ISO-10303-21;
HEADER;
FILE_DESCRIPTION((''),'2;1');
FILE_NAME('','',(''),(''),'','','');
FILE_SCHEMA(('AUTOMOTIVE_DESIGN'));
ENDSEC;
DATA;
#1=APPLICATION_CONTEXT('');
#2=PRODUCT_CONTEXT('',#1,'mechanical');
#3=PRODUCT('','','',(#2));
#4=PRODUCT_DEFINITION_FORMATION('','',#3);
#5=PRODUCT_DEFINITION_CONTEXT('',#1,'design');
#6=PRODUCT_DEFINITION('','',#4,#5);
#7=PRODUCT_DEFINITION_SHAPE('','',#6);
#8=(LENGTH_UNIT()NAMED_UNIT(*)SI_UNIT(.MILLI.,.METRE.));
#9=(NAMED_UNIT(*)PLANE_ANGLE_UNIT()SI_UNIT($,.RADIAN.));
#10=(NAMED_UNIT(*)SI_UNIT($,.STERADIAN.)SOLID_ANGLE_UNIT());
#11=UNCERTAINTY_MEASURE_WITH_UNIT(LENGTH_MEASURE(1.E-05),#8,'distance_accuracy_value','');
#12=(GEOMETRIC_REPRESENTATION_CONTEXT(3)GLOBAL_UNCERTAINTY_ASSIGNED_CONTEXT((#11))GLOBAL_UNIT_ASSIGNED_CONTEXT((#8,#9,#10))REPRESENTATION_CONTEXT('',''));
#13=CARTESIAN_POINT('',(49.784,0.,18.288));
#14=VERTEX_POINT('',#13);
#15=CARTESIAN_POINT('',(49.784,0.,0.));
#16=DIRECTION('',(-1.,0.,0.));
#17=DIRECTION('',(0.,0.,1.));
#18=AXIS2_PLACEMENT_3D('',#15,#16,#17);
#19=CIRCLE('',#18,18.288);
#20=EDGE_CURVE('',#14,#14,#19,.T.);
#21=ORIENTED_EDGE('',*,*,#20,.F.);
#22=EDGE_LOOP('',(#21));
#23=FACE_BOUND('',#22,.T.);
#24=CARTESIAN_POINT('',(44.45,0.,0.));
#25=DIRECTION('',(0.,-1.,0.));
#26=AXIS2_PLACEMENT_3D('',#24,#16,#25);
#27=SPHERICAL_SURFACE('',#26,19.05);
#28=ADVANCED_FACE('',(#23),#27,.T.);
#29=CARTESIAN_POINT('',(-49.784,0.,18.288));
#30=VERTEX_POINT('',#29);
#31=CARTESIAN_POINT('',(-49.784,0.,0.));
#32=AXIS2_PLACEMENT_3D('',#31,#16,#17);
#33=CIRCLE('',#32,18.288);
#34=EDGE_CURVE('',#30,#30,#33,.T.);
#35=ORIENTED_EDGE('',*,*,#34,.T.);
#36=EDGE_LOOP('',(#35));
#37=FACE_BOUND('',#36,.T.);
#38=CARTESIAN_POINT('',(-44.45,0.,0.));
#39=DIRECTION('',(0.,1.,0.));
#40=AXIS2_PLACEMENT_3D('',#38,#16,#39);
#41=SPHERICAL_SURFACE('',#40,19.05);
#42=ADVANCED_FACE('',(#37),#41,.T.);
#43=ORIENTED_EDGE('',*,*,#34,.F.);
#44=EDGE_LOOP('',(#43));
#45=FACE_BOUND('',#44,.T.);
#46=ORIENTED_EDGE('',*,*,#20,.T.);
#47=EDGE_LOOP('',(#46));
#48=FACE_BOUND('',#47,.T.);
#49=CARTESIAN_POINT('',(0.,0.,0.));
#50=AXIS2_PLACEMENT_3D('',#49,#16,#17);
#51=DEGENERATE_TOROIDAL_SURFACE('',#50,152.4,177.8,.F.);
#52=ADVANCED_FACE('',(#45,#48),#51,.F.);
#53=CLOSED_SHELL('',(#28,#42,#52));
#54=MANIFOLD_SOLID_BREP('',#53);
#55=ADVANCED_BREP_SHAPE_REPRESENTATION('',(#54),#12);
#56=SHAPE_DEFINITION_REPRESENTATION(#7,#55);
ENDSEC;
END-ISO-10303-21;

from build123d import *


with BuildPart() as part:
    # Sketch1 → Revolve1 (revolve)
    with BuildSketch(Plane.XY, mode=Mode.PRIVATE) as revolve1_sk:
        with BuildLine():
            Line((-63.5, 0), (63.5, 0))
            ThreePointArc((63.5, 0), (59.69, 11.43), (49.784, 18.288))
            ThreePointArc((49.784, 18.288), (0, 25.4), (-49.784, 18.288))
            ThreePointArc((-49.784, 18.288), (-59.69, 11.43), (-63.5, 0))
        make_face()
    revolve(revolve1_sk.sketch.rotate(Axis((-63.5, 0, 0), (1, 0, 0)), 90), axis=Axis((-63.5, 0, 0), (1, 0, 0)))


solid = part.part
